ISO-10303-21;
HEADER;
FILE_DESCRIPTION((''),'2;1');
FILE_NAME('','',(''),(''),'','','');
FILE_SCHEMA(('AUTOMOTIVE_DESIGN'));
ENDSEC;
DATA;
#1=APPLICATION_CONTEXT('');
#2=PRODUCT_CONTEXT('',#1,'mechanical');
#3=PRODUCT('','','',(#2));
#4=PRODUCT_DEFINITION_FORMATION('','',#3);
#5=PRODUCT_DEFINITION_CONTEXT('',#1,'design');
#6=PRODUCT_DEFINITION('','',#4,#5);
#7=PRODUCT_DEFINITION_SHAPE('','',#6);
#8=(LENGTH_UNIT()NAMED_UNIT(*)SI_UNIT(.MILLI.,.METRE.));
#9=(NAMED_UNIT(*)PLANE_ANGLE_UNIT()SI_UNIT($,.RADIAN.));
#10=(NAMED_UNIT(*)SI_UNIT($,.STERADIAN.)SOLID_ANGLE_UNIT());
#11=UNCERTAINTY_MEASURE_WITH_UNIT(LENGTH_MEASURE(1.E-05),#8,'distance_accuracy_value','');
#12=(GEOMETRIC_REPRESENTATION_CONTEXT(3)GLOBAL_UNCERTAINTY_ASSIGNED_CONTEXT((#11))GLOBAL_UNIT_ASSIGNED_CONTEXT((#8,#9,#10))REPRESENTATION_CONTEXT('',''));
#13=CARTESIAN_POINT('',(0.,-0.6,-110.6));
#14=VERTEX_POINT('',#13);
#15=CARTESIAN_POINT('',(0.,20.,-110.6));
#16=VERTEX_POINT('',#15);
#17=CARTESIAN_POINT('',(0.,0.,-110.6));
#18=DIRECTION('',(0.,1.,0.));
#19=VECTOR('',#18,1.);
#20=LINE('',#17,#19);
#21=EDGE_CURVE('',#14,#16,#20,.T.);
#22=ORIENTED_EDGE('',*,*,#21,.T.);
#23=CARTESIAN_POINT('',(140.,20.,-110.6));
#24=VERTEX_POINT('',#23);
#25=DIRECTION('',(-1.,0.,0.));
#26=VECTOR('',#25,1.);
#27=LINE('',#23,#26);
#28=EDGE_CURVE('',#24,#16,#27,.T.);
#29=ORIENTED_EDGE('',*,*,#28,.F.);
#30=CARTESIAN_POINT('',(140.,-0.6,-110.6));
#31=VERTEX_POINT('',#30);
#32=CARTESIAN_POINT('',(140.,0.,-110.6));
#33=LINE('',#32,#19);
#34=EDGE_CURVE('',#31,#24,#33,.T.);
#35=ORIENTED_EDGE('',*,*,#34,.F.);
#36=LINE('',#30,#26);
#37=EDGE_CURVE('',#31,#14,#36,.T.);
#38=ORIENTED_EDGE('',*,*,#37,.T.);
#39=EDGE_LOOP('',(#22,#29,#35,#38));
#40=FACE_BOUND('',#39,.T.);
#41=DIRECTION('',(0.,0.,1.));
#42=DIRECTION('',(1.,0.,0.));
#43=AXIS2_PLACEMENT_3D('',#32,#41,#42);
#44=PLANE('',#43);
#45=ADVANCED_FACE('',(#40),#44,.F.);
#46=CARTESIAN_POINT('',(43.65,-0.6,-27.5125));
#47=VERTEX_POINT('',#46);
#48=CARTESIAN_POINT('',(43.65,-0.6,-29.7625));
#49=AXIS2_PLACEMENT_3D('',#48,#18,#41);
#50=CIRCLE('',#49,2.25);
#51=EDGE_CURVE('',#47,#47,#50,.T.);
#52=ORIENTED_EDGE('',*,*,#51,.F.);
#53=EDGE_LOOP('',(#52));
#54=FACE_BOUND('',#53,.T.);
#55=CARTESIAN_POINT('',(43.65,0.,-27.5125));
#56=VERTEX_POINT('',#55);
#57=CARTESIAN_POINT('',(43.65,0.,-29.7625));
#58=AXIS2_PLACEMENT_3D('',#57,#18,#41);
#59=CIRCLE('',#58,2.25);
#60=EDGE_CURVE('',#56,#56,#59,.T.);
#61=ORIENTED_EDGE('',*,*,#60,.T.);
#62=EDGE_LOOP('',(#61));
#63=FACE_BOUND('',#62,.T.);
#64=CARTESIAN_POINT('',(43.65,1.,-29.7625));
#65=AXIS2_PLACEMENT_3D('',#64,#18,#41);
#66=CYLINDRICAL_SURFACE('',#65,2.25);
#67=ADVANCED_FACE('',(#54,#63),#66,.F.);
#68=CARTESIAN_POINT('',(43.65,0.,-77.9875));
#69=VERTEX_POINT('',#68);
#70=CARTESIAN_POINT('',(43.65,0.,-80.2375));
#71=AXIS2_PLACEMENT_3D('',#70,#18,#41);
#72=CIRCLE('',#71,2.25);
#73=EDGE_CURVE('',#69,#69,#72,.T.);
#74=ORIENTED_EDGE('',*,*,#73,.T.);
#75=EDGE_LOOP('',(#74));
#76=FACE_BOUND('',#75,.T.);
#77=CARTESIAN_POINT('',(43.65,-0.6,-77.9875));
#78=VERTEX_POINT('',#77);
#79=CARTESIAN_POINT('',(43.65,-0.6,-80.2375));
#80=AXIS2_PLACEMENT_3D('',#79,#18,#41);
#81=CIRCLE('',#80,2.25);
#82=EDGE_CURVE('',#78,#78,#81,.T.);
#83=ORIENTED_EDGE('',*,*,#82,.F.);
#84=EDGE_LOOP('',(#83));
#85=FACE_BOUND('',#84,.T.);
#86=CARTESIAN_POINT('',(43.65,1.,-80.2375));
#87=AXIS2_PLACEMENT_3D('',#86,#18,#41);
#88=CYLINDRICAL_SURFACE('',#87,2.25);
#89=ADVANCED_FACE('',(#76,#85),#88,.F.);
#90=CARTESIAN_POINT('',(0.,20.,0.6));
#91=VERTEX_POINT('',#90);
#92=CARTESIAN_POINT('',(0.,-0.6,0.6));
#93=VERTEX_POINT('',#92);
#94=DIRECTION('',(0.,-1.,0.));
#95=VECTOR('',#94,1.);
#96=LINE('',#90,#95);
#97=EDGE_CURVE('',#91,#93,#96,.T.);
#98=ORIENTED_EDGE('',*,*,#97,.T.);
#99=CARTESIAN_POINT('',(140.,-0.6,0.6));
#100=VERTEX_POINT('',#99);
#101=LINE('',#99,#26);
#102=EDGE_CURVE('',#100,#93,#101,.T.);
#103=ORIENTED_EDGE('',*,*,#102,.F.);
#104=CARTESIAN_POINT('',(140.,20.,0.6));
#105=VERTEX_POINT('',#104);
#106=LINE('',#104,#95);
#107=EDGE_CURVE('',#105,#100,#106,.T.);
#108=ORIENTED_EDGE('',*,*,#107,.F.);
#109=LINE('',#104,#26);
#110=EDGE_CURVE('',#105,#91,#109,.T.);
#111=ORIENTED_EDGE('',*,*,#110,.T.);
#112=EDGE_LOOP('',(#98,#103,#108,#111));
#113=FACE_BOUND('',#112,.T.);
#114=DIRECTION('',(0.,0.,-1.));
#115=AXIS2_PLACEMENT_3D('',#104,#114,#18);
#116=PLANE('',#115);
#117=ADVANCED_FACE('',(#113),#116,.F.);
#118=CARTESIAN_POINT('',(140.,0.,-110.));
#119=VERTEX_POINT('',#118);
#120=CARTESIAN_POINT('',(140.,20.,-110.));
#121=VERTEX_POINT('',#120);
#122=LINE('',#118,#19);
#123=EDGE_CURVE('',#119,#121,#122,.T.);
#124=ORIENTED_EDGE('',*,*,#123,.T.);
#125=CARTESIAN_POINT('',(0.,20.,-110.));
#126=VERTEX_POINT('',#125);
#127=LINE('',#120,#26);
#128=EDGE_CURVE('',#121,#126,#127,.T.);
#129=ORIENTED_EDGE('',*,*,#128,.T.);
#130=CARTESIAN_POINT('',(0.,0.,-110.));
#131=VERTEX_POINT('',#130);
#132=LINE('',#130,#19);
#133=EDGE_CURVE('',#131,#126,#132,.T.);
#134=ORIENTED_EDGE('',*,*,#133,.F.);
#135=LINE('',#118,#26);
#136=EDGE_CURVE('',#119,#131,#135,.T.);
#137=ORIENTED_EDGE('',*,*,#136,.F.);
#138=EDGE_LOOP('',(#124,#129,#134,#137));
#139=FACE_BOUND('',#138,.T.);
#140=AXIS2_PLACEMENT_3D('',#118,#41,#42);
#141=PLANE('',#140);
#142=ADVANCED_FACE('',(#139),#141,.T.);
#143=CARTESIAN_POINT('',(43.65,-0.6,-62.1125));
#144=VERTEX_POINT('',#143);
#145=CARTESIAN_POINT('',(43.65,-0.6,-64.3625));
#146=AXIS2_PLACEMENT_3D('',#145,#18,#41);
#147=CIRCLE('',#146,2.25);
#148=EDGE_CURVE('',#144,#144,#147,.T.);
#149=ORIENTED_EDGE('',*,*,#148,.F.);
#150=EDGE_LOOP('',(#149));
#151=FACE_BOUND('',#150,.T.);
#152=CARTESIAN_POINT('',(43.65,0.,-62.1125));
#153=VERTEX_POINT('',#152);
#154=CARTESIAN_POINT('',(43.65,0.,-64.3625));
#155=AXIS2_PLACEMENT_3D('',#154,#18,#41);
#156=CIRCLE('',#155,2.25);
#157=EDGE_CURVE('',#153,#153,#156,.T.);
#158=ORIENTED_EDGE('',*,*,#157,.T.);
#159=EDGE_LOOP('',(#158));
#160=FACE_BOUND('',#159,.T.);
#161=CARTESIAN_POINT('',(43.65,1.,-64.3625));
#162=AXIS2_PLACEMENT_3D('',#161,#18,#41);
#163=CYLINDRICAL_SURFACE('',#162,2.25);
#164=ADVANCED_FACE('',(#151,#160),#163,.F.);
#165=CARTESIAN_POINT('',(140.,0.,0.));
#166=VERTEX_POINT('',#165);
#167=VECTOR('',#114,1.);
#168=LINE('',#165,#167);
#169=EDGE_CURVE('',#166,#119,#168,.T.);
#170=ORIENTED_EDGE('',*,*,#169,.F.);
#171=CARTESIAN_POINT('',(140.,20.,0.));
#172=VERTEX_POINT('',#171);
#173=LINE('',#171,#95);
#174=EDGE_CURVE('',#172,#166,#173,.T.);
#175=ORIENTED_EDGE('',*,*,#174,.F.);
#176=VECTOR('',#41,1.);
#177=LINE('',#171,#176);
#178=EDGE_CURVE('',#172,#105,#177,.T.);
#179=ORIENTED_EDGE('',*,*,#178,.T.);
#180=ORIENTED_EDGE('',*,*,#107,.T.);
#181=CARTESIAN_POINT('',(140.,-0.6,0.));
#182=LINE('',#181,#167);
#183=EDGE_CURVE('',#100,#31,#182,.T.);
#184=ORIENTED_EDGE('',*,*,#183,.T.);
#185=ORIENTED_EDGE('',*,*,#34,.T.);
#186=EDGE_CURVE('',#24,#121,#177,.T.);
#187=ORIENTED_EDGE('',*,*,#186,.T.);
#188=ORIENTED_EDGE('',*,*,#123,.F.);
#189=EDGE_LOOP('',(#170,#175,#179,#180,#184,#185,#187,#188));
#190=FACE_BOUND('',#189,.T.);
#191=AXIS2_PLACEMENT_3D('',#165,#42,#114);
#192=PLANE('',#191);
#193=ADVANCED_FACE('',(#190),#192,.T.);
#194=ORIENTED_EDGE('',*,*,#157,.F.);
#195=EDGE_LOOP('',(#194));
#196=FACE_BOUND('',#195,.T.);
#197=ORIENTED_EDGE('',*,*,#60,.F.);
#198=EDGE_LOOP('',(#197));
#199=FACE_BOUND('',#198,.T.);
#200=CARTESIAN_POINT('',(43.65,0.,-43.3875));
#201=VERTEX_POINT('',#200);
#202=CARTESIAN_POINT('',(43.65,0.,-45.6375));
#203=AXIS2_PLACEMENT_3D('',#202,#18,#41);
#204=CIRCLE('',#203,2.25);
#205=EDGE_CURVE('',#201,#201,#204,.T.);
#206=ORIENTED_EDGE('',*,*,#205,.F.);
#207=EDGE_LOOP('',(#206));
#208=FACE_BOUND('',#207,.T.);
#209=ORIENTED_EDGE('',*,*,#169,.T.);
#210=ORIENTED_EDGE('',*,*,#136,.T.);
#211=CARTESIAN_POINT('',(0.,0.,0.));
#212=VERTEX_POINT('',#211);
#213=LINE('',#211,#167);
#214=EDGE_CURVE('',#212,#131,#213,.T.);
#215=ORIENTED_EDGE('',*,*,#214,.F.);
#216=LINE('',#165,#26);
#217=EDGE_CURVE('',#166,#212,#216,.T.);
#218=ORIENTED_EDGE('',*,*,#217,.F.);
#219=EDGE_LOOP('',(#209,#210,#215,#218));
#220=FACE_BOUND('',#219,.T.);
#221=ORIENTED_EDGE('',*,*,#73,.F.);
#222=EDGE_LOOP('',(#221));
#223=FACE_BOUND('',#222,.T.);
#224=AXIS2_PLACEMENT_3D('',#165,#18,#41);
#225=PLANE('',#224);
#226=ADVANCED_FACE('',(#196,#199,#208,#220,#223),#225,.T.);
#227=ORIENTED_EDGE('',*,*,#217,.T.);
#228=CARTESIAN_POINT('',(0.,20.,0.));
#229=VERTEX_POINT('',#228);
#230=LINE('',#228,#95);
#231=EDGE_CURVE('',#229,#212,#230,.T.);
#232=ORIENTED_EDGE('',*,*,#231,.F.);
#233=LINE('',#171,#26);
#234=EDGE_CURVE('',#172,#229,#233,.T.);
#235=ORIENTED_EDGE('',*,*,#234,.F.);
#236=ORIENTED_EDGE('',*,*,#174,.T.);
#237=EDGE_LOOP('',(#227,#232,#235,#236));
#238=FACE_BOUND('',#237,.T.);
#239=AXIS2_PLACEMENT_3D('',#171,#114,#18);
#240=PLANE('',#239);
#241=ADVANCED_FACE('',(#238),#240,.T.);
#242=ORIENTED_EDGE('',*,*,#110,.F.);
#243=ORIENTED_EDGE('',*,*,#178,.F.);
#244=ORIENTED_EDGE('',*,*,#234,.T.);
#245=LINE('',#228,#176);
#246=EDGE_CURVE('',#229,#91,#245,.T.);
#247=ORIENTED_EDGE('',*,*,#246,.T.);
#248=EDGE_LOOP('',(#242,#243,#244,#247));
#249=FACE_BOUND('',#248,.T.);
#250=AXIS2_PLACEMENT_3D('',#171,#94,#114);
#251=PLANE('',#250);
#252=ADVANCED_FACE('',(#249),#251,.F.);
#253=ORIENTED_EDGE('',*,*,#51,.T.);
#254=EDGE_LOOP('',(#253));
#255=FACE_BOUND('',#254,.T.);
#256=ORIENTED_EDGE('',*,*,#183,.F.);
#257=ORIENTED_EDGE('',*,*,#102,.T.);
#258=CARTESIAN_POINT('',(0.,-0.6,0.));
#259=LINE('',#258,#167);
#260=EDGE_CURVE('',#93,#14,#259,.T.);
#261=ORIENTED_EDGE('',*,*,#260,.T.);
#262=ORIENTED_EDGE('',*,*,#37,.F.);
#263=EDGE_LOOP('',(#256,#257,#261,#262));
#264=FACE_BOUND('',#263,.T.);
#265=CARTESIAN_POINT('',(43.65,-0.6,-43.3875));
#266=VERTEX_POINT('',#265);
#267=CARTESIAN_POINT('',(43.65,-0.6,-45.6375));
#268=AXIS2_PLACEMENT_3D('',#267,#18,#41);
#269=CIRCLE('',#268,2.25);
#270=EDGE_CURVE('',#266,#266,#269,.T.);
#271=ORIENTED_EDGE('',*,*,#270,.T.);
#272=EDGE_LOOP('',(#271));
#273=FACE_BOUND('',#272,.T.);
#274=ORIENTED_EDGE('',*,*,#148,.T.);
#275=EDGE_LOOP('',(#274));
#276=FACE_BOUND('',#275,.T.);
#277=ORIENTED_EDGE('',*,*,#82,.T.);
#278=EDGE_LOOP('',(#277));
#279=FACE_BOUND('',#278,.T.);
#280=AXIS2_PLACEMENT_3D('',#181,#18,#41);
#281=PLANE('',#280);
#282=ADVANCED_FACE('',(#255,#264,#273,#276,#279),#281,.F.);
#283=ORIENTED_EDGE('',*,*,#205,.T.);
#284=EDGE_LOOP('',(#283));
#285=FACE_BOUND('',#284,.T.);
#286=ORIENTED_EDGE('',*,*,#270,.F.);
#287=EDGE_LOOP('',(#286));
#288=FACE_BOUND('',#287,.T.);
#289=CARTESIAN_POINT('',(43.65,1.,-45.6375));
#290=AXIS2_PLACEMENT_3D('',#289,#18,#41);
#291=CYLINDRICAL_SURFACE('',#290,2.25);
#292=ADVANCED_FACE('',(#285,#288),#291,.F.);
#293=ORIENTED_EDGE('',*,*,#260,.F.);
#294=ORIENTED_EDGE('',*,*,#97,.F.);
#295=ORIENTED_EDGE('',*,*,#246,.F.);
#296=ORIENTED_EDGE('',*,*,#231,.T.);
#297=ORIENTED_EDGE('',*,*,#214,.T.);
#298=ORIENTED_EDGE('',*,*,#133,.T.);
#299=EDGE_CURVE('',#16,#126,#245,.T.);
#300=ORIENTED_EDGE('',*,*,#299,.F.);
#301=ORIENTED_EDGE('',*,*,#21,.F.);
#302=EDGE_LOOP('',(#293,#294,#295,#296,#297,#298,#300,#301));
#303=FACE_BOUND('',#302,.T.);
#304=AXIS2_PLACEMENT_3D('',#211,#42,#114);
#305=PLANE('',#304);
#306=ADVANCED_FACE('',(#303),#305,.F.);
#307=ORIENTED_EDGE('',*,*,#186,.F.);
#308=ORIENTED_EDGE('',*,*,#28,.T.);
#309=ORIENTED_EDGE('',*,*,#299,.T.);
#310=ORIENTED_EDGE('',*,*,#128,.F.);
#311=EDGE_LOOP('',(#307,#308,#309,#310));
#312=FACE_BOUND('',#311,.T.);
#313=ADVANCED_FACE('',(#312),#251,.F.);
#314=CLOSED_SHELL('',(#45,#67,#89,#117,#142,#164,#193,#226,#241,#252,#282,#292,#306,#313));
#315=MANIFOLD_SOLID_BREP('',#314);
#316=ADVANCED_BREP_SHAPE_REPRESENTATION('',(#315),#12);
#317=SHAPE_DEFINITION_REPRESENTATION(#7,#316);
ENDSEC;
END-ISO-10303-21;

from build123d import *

# Parameters (mm, degrees)
CROQUIS1_W                   = 110
CROQUIS1_H                   = 20
SALIENTE_EXTRUIR1_DEPTH      = 140
VACIADO1_T                   = 0.6
TALADRO_DE_MARGEN_PARA_M42_D = 4.5


with BuildPart() as part:
    # Croquis1 → Saliente-Extruir1 (new body)
    with BuildSketch(Plane(origin=(0, 0, 0), x_dir=(0, 0, -1), z_dir=(1, 0, 0))):
        with Locations((55, 10)):
            Rectangle(CROQUIS1_W, CROQUIS1_H)
    extrude(amount=SALIENTE_EXTRUIR1_DEPTH)

    # Vaciado1
    vaciado1_openings = [part.faces().sort_by_distance(p)[0] for p in [
        (70, 20, -55),
        (0, 10, -55),
        (140, 10, -55),
    ]]
    offset(amount=VACIADO1_T, openings=vaciado1_openings, kind=Kind.INTERSECTION)

    # Taladro de margen para M42 (through all)
    with Locations(Plane(origin=(104.234059149, 1, -171.2), x_dir=(1, 0, 0), z_dir=(0, 1, 0))):
        with Locations((-60.584059149, -90.9625), (-60.584059149, -106.8375), (-60.584059149, -125.5625), (-60.584059149, -141.4375)):
            Hole(TALADRO_DE_MARGEN_PARA_M42_D / 2)


solid = part.part
